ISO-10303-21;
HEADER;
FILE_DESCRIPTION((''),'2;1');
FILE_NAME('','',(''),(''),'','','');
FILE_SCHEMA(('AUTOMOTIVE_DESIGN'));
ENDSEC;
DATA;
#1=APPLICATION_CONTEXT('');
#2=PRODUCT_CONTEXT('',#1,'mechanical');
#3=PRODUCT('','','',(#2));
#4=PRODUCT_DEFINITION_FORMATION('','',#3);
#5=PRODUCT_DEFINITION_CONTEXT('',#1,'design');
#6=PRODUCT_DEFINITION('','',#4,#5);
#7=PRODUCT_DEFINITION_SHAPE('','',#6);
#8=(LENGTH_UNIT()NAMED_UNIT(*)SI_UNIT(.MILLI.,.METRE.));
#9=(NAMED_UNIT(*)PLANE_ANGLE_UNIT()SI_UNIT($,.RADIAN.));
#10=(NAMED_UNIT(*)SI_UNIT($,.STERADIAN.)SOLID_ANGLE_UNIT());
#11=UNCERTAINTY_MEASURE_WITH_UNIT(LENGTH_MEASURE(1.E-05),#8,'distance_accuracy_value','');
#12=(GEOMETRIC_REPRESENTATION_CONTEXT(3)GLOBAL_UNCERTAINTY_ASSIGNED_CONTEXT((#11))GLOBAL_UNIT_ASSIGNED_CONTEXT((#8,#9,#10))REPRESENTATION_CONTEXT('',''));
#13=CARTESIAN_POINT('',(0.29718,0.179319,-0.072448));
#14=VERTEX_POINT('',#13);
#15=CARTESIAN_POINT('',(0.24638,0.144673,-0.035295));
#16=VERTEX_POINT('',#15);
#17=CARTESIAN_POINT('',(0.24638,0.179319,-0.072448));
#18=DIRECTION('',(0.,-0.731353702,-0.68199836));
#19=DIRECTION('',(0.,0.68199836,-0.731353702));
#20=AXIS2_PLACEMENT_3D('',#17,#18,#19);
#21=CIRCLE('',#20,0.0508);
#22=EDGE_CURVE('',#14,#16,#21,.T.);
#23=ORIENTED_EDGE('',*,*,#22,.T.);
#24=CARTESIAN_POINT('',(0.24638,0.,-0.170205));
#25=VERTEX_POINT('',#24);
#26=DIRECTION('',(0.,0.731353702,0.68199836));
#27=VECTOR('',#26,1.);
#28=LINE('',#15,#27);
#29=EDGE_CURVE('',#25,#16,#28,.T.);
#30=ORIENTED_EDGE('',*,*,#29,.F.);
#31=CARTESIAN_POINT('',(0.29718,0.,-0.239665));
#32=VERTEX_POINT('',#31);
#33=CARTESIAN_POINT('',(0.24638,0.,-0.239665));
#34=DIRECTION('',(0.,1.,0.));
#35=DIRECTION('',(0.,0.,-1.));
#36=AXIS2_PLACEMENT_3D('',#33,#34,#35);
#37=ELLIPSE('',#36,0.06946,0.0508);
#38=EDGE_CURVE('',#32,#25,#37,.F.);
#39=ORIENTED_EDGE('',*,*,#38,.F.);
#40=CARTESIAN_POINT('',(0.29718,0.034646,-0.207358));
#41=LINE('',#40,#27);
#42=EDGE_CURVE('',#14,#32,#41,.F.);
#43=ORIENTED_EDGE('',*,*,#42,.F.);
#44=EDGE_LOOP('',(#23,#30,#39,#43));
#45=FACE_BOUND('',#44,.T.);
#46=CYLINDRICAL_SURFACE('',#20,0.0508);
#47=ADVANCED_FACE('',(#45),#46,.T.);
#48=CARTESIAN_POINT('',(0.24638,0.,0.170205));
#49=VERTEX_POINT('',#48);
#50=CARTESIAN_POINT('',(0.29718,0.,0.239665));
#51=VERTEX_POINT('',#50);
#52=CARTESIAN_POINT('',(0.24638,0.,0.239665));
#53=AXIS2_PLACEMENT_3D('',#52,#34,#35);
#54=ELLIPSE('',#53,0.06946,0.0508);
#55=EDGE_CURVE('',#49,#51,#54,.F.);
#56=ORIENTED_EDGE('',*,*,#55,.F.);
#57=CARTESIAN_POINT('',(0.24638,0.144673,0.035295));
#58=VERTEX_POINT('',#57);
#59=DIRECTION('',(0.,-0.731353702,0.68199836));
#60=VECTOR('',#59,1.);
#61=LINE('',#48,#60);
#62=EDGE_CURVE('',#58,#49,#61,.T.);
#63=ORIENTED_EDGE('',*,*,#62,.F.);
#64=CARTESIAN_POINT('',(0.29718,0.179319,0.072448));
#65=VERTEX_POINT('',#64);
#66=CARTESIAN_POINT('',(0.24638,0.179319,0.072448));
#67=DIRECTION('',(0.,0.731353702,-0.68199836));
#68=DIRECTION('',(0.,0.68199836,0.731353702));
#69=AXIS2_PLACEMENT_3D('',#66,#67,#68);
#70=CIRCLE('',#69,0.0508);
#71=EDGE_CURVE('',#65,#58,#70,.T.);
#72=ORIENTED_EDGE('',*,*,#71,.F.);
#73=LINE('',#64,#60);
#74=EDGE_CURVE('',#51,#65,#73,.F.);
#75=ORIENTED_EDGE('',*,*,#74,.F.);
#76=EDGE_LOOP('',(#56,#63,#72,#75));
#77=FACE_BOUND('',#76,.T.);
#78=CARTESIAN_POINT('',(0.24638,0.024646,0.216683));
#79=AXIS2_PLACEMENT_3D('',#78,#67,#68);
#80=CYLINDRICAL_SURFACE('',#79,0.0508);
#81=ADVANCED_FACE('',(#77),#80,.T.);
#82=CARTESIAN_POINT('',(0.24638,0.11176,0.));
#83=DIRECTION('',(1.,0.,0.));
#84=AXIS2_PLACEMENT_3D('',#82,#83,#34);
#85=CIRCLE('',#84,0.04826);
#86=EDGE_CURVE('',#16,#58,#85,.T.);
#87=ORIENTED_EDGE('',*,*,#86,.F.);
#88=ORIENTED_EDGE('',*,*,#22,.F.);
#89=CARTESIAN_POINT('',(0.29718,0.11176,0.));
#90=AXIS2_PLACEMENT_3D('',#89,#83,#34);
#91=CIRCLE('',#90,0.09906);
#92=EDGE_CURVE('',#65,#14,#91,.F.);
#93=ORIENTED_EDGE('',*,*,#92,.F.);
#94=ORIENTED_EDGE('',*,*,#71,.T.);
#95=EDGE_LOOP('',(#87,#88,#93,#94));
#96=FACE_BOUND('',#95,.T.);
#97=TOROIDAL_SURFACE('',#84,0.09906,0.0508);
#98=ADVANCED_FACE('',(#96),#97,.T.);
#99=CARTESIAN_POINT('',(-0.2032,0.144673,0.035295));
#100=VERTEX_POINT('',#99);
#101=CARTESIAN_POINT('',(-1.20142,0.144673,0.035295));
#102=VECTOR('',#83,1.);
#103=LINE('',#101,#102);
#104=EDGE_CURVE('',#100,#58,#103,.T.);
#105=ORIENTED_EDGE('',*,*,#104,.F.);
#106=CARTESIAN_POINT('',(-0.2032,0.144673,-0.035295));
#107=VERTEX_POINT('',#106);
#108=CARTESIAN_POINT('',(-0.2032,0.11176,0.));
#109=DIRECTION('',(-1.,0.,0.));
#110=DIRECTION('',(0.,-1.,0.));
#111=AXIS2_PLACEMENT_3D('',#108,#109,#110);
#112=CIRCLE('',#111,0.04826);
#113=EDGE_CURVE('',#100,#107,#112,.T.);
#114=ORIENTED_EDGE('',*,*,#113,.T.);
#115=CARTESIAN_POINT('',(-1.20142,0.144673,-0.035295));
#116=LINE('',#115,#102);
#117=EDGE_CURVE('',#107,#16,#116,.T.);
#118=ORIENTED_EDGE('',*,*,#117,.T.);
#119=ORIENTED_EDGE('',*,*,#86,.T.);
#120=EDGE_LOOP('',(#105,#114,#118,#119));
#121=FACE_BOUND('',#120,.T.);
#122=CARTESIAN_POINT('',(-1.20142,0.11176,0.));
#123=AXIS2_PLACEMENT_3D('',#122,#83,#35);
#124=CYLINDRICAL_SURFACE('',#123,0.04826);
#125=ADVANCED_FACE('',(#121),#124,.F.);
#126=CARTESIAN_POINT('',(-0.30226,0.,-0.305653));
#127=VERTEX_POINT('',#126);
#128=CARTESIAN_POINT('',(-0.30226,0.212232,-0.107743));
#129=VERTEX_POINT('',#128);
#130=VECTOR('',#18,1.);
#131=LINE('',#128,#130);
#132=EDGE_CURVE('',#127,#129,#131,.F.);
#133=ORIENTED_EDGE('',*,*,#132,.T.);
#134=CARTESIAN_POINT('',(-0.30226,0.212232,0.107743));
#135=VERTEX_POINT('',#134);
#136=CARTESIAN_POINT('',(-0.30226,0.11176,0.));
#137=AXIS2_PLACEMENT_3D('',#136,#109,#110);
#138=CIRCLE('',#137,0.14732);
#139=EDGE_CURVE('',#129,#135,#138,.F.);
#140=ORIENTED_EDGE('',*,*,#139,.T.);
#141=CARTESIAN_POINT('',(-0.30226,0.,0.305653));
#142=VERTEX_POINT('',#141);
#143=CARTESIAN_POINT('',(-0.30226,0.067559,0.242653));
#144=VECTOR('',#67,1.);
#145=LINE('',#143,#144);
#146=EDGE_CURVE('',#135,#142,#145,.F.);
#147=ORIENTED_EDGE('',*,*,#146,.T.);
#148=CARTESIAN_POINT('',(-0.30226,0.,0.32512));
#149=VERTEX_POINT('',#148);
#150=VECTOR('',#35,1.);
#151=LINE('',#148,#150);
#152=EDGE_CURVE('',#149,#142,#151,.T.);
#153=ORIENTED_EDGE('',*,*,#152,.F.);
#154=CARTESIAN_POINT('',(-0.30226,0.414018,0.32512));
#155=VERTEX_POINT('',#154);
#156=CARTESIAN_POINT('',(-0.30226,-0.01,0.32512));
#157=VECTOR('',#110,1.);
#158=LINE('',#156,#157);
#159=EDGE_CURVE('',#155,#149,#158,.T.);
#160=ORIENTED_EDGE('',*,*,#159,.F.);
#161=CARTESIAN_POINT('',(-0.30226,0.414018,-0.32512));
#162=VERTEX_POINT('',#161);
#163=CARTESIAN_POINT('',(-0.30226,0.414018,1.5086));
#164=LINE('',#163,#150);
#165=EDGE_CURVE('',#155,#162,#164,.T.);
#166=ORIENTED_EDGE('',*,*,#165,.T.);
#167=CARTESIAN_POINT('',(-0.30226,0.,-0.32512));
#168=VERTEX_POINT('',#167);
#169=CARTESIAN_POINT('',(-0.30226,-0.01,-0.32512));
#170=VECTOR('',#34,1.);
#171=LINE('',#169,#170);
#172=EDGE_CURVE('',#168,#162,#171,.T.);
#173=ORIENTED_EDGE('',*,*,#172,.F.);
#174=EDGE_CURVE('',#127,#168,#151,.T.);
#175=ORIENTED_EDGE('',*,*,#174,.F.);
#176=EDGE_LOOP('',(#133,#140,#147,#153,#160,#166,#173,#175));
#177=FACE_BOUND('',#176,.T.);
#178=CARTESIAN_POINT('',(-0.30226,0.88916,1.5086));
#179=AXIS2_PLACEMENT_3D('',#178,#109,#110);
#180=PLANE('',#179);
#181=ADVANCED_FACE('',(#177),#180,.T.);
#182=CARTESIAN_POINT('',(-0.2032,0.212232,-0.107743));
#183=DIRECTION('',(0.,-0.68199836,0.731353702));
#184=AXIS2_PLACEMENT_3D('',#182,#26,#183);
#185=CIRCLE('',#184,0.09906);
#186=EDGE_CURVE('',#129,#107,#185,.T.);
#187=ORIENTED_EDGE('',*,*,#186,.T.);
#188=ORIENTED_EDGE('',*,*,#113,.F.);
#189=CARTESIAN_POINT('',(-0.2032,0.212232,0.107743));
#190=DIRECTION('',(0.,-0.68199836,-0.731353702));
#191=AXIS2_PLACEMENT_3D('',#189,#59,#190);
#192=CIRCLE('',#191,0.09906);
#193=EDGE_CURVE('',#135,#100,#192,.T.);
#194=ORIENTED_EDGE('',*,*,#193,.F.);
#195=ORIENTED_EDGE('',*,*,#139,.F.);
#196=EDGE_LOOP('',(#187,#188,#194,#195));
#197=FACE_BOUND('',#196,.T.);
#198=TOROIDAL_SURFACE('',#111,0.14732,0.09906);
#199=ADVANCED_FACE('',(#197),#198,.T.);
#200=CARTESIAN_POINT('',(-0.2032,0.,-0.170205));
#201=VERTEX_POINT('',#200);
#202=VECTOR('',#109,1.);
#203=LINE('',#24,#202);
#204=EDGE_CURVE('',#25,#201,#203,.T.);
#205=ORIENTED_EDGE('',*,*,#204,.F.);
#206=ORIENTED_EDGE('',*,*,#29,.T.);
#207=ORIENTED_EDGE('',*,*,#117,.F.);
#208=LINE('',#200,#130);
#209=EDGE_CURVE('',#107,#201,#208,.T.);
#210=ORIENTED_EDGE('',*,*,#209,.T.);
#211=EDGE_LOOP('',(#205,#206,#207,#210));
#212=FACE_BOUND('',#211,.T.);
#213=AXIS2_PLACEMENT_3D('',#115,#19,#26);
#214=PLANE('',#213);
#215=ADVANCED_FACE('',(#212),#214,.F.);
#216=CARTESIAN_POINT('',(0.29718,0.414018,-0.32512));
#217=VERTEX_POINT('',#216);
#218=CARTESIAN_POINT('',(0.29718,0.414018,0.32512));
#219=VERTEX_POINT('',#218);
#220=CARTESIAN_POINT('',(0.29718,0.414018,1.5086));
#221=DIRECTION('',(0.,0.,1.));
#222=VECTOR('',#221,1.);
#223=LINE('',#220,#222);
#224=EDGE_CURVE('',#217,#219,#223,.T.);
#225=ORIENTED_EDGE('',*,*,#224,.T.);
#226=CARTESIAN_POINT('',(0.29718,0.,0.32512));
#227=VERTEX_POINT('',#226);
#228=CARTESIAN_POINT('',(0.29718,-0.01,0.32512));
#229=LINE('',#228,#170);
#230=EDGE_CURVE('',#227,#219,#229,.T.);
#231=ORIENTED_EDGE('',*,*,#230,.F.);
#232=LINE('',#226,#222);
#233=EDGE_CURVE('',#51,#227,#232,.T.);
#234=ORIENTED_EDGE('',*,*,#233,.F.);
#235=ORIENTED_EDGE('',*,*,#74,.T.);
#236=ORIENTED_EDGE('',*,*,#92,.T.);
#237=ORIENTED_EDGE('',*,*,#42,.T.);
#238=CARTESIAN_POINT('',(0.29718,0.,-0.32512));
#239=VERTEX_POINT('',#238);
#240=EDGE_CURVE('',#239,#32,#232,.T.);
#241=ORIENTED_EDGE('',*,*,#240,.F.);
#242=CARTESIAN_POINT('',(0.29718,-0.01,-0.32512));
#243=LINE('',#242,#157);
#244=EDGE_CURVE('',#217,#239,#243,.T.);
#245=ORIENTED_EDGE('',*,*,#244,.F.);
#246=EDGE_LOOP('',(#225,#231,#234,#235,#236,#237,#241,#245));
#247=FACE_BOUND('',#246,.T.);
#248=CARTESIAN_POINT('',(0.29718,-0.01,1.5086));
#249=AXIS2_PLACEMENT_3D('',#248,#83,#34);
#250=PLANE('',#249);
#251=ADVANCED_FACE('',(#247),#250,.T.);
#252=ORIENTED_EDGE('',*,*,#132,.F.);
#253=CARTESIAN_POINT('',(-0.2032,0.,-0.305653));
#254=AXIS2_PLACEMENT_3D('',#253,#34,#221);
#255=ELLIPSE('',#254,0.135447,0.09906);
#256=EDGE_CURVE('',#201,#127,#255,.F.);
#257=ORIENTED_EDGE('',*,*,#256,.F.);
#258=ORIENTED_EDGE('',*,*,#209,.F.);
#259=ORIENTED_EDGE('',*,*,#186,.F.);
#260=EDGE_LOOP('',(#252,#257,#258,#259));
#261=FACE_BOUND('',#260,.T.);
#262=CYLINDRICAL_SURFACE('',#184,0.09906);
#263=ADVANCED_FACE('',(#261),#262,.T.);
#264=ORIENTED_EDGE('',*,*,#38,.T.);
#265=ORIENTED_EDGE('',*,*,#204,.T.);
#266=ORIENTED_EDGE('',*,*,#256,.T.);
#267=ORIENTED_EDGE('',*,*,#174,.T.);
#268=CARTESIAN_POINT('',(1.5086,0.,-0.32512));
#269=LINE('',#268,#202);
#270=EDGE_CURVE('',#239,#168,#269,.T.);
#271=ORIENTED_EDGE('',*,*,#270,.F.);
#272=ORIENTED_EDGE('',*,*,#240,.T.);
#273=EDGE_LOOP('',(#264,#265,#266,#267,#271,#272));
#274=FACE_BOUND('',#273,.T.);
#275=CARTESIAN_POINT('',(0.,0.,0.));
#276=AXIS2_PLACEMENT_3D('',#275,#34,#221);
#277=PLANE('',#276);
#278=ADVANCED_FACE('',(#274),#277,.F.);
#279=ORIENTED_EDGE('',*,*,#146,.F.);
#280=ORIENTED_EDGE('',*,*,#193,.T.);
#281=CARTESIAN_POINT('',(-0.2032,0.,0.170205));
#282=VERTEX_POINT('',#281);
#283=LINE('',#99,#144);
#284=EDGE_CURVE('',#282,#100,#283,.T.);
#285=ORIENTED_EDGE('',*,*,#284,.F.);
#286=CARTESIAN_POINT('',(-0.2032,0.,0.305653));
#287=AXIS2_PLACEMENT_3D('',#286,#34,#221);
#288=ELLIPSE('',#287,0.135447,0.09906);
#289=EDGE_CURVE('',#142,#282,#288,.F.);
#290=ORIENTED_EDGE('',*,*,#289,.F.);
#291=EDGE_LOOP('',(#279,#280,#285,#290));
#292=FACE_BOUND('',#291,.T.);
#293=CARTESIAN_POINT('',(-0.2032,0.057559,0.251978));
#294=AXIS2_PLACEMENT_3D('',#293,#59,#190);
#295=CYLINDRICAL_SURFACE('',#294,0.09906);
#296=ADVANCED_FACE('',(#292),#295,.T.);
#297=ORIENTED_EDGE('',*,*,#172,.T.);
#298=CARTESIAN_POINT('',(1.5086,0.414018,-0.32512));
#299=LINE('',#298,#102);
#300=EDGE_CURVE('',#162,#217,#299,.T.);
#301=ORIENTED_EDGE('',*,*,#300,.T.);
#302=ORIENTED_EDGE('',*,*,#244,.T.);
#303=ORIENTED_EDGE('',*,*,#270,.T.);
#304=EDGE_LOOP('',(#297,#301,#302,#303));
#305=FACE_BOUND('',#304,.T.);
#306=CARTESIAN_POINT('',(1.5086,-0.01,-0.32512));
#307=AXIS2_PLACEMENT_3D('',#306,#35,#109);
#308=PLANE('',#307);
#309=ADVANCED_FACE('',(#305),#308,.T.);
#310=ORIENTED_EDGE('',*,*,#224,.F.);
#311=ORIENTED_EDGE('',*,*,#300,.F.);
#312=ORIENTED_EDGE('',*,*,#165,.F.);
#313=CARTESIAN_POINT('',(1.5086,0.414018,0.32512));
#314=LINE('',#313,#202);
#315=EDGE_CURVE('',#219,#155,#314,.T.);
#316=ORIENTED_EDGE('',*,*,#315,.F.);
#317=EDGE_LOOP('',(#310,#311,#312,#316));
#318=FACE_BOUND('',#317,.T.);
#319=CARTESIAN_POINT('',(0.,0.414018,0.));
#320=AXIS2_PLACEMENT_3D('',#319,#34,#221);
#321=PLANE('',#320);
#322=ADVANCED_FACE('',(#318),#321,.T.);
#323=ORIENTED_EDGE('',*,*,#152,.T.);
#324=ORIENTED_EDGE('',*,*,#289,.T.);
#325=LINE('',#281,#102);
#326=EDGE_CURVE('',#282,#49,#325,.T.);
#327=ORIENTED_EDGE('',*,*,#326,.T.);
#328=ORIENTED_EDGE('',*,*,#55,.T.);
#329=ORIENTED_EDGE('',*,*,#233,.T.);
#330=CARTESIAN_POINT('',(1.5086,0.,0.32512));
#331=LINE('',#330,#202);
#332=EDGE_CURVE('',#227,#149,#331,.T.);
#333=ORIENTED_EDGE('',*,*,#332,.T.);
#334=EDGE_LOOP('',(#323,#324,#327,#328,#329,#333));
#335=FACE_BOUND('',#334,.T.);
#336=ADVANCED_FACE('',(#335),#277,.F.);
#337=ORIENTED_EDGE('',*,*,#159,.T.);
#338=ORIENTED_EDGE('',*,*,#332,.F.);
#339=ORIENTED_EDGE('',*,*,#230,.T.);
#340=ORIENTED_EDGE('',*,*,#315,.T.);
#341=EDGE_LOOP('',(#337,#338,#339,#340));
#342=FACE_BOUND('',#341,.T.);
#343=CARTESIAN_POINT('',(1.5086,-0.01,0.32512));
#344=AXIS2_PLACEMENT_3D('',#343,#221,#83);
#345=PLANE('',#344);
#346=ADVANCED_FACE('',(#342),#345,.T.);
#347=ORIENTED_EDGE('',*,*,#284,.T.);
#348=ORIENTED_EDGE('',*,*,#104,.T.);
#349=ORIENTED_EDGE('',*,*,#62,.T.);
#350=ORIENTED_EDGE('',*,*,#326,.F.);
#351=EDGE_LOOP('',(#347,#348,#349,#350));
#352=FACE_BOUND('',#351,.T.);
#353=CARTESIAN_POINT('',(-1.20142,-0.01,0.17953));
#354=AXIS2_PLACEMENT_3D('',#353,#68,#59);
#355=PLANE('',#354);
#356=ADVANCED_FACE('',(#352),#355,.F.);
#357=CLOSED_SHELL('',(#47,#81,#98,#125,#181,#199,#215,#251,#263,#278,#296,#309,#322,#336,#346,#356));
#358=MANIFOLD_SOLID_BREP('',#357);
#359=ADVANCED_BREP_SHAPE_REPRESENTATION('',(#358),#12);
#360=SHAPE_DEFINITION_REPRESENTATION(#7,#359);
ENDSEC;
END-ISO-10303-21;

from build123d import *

# Parameters (mm, degrees)
SKETCH_TL_CUTTING_R    = 1.4986
TL_CUTTING_DEPTH       = 29.999999944
SKETCH_TDF_CUTTING_W   = 3.01719996
SKETCH_TDF_CUTTING_H   = 3.01719996
TDF_CUTTING_DEPTH      = 31.074766841
VW_VR_GRINDING_DEPTH   = 1.50859998
VW_VR_GRINDING_2_DEPTH = 1.50859998
ISA_GRINDING_DEPTH     = 1.50859998
SKETCH_PRE_FRX_BRX_W   = 1.19142002
SKETCH_PRE_FRX_BRX_H   = 0.89916
SKETCH_PRE_FRX_BRX_W_2 = 1.21633996
PRE_FRX_BRX_DEPTH      = 1.50859998
FA_BA_GRINDING_DEPTH   = 1.50859998
BR_EDM_R               = 0.09906
FR_EDM_R               = 0.0508


with BuildPart() as part:
    # sketch_TL_cutting → TL_cutting (new body)
    with BuildSketch(Plane(origin=(0, 0, 0), x_dir=(1, 0, 0), z_dir=(0, 1, 0))):
        with Locations(Location((0, 0, 0), (0, 0, 270))):
            Circle(SKETCH_TL_CUTTING_R)
    extrude(amount=TL_CUTTING_DEPTH)

    # sketch_TDF_cutting → TDF_cutting (cut, through all)
    with BuildSketch(Plane(origin=(0, 0, 0), x_dir=(1, 0, 0), z_dir=(0, 1, 0))):
        with Locations((-2.71001998, 0)):
            Rectangle(SKETCH_TDF_CUTTING_W, SKETCH_TDF_CUTTING_H)
    extrude(amount=TDF_CUTTING_DEPTH, mode=Mode.SUBTRACT)


with BuildPart() as body_2:
    # sketch_VW_VR_grinding → VW_VR_grinding (new, symmetric)
    with BuildSketch(Plane(origin=(0, 0, 0), x_dir=(0, 0, -1), z_dir=(1, 0, 0))):
        with BuildLine():
            Line((-0.32512, -0.00999998), (-0.32512, 0.876937879))
            ThreePointArc((-0.32512, 0.876937879), (-0.326086547, 0.899075438), (-0.328978831, 0.921044517))
            Line((-0.328978831, 0.921044517), (-1.51859996, 7.667721199))
            Line((-1.51859996, 7.667721199), (-1.50859998, -0.00999998))
            Line((-1.50859998, -0.00999998), (-0.32512, -0.00999998))
        make_face()
    extrude(amount=VW_VR_GRINDING_DEPTH, both=True)


with BuildPart() as body_3:
    # sketch_VW_VR_grinding → VW_VR_grinding 2 (new, symmetric)
    with BuildSketch(Plane(origin=(0, 0, 0), x_dir=(0, 0, -1), z_dir=(1, 0, 0))):
        with BuildLine():
            Line((0.32512, -0.00999998), (0.32512, 0.876937879))
            ThreePointArc((0.32512, 0.876937879), (0.326086547, 0.899075438), (0.328978831, 0.921044517))
            Line((0.328978831, 0.921044517), (1.51859996, 7.667721199))
            Line((1.51859996, 7.667721199), (1.50859998, -0.00999998))
            Line((1.50859998, -0.00999998), (0.32512, -0.00999998))
        make_face()
    extrude(amount=VW_VR_GRINDING_2_DEPTH, both=True)


    add(body_2.part)  # ISA_grinding merges body 2
    # sketch_ISA_grinding → ISA_grinding (add, symmetric)
    with BuildSketch(Plane(origin=(0, 0, 0), x_dir=(0, 0, -1), z_dir=(1, 0, 0))):
        Polygon((-0.32512, 0), (0.32512, 0), (1.50859998, 6.711848494), (1.50859998, -0.02999994), (-1.50859998, -0.02999994), (-1.50859998, 6.711848494), align=None)
    extrude(amount=ISA_GRINDING_DEPTH, both=True)

    # sketch_pre_FRX_BRX → pre_FRX_BRX (add, symmetric)
    with BuildSketch(Plane.XY):
        with Locations((0.90288999, 0.43958002)):
            Rectangle(SKETCH_PRE_FRX_BRX_W, SKETCH_PRE_FRX_BRX_H)
        with Locations((-0.91042998, 0.43958002)):
            Rectangle(SKETCH_PRE_FRX_BRX_W_2, SKETCH_PRE_FRX_BRX_H)
    extrude(amount=PRE_FRX_BRX_DEPTH, both=True)

    # sketch_FA_BA_grinding → FA_BA_grinding (add, symmetric)
    with BuildSketch(Plane.XY):
        Polygon((0.29718, -0.00999998), (0.29718, 0.89916), (1.6256, 10.351359447), (1.6256, -0.00999998), align=None)
        Polygon((-0.30226, -0.00999998), (-0.30226, 0.89916), (-1.32842, 8.200667794), (-1.32842, -0.00999998), align=None)
    extrude(amount=FA_BA_GRINDING_DEPTH, both=True)


with BuildPart() as part_1:
    add(part.part)

    # B1_fix: cut body 3
    add(body_3.part, mode=Mode.SUBTRACT)

    # V-Groove_EDM: sweep along a path in sketch_contour_V-Groove
    with BuildLine(Plane.XY) as v_groove_edm_path:
        Line((-1.20142, 0.16002), (1.4986, 0.16002))
    # sketch_section_V-Groove → V-Groove_EDM (sweep, cut)
    with BuildSketch(Plane(origin=(-1.20142, 0, -1.2954), x_dir=(0, 0, -1), z_dir=(1, 0, 0))):
        with BuildLine():
            Line((-1.26010487, 0.144673241), (-1.115869758, -0.00999998))
            Line((-1.115869758, -0.00999998), (-1.474930242, -0.00999998))
            Line((-1.474930242, -0.00999998), (-1.33069513, 0.144673241))
            ThreePointArc((-1.33069513, 0.144673241), (-1.2954, 0.16002), (-1.26010487, 0.144673241))
        make_face()
    sweep(path=v_groove_edm_path.line, mode=Mode.SUBTRACT)

    # BR_EDM
    br_edm_edges = [part_1.edges().sort_by_distance(p)[0] for p in [
        (-0.30226, 0.16002, 0),
        (-0.30226, 0.07233662, -0.102750119),
        (-0.30226, 0.07233662, 0.102750119),
    ]]
    fillet(br_edm_edges, radius=BR_EDM_R)

    # FR_EDM
    fr_edm_edges = [part_1.edges().sort_by_distance(p)[0] for p in [
        (0.29718, 0.07233662, -0.102750119),
        (0.29718, 0.07233662, 0.102750119),
        (0.29718, 0.16002, 0),
    ]]
    fillet(fr_edm_edges, radius=FR_EDM_R)

    # SurfaceCut1
    split(bisect_by=Plane(origin=(0, 0.41401793, 0), x_dir=(1, 0, 0), z_dir=(0, 1, 0)), keep=Keep.BOTTOM)


solid = part_1.part
